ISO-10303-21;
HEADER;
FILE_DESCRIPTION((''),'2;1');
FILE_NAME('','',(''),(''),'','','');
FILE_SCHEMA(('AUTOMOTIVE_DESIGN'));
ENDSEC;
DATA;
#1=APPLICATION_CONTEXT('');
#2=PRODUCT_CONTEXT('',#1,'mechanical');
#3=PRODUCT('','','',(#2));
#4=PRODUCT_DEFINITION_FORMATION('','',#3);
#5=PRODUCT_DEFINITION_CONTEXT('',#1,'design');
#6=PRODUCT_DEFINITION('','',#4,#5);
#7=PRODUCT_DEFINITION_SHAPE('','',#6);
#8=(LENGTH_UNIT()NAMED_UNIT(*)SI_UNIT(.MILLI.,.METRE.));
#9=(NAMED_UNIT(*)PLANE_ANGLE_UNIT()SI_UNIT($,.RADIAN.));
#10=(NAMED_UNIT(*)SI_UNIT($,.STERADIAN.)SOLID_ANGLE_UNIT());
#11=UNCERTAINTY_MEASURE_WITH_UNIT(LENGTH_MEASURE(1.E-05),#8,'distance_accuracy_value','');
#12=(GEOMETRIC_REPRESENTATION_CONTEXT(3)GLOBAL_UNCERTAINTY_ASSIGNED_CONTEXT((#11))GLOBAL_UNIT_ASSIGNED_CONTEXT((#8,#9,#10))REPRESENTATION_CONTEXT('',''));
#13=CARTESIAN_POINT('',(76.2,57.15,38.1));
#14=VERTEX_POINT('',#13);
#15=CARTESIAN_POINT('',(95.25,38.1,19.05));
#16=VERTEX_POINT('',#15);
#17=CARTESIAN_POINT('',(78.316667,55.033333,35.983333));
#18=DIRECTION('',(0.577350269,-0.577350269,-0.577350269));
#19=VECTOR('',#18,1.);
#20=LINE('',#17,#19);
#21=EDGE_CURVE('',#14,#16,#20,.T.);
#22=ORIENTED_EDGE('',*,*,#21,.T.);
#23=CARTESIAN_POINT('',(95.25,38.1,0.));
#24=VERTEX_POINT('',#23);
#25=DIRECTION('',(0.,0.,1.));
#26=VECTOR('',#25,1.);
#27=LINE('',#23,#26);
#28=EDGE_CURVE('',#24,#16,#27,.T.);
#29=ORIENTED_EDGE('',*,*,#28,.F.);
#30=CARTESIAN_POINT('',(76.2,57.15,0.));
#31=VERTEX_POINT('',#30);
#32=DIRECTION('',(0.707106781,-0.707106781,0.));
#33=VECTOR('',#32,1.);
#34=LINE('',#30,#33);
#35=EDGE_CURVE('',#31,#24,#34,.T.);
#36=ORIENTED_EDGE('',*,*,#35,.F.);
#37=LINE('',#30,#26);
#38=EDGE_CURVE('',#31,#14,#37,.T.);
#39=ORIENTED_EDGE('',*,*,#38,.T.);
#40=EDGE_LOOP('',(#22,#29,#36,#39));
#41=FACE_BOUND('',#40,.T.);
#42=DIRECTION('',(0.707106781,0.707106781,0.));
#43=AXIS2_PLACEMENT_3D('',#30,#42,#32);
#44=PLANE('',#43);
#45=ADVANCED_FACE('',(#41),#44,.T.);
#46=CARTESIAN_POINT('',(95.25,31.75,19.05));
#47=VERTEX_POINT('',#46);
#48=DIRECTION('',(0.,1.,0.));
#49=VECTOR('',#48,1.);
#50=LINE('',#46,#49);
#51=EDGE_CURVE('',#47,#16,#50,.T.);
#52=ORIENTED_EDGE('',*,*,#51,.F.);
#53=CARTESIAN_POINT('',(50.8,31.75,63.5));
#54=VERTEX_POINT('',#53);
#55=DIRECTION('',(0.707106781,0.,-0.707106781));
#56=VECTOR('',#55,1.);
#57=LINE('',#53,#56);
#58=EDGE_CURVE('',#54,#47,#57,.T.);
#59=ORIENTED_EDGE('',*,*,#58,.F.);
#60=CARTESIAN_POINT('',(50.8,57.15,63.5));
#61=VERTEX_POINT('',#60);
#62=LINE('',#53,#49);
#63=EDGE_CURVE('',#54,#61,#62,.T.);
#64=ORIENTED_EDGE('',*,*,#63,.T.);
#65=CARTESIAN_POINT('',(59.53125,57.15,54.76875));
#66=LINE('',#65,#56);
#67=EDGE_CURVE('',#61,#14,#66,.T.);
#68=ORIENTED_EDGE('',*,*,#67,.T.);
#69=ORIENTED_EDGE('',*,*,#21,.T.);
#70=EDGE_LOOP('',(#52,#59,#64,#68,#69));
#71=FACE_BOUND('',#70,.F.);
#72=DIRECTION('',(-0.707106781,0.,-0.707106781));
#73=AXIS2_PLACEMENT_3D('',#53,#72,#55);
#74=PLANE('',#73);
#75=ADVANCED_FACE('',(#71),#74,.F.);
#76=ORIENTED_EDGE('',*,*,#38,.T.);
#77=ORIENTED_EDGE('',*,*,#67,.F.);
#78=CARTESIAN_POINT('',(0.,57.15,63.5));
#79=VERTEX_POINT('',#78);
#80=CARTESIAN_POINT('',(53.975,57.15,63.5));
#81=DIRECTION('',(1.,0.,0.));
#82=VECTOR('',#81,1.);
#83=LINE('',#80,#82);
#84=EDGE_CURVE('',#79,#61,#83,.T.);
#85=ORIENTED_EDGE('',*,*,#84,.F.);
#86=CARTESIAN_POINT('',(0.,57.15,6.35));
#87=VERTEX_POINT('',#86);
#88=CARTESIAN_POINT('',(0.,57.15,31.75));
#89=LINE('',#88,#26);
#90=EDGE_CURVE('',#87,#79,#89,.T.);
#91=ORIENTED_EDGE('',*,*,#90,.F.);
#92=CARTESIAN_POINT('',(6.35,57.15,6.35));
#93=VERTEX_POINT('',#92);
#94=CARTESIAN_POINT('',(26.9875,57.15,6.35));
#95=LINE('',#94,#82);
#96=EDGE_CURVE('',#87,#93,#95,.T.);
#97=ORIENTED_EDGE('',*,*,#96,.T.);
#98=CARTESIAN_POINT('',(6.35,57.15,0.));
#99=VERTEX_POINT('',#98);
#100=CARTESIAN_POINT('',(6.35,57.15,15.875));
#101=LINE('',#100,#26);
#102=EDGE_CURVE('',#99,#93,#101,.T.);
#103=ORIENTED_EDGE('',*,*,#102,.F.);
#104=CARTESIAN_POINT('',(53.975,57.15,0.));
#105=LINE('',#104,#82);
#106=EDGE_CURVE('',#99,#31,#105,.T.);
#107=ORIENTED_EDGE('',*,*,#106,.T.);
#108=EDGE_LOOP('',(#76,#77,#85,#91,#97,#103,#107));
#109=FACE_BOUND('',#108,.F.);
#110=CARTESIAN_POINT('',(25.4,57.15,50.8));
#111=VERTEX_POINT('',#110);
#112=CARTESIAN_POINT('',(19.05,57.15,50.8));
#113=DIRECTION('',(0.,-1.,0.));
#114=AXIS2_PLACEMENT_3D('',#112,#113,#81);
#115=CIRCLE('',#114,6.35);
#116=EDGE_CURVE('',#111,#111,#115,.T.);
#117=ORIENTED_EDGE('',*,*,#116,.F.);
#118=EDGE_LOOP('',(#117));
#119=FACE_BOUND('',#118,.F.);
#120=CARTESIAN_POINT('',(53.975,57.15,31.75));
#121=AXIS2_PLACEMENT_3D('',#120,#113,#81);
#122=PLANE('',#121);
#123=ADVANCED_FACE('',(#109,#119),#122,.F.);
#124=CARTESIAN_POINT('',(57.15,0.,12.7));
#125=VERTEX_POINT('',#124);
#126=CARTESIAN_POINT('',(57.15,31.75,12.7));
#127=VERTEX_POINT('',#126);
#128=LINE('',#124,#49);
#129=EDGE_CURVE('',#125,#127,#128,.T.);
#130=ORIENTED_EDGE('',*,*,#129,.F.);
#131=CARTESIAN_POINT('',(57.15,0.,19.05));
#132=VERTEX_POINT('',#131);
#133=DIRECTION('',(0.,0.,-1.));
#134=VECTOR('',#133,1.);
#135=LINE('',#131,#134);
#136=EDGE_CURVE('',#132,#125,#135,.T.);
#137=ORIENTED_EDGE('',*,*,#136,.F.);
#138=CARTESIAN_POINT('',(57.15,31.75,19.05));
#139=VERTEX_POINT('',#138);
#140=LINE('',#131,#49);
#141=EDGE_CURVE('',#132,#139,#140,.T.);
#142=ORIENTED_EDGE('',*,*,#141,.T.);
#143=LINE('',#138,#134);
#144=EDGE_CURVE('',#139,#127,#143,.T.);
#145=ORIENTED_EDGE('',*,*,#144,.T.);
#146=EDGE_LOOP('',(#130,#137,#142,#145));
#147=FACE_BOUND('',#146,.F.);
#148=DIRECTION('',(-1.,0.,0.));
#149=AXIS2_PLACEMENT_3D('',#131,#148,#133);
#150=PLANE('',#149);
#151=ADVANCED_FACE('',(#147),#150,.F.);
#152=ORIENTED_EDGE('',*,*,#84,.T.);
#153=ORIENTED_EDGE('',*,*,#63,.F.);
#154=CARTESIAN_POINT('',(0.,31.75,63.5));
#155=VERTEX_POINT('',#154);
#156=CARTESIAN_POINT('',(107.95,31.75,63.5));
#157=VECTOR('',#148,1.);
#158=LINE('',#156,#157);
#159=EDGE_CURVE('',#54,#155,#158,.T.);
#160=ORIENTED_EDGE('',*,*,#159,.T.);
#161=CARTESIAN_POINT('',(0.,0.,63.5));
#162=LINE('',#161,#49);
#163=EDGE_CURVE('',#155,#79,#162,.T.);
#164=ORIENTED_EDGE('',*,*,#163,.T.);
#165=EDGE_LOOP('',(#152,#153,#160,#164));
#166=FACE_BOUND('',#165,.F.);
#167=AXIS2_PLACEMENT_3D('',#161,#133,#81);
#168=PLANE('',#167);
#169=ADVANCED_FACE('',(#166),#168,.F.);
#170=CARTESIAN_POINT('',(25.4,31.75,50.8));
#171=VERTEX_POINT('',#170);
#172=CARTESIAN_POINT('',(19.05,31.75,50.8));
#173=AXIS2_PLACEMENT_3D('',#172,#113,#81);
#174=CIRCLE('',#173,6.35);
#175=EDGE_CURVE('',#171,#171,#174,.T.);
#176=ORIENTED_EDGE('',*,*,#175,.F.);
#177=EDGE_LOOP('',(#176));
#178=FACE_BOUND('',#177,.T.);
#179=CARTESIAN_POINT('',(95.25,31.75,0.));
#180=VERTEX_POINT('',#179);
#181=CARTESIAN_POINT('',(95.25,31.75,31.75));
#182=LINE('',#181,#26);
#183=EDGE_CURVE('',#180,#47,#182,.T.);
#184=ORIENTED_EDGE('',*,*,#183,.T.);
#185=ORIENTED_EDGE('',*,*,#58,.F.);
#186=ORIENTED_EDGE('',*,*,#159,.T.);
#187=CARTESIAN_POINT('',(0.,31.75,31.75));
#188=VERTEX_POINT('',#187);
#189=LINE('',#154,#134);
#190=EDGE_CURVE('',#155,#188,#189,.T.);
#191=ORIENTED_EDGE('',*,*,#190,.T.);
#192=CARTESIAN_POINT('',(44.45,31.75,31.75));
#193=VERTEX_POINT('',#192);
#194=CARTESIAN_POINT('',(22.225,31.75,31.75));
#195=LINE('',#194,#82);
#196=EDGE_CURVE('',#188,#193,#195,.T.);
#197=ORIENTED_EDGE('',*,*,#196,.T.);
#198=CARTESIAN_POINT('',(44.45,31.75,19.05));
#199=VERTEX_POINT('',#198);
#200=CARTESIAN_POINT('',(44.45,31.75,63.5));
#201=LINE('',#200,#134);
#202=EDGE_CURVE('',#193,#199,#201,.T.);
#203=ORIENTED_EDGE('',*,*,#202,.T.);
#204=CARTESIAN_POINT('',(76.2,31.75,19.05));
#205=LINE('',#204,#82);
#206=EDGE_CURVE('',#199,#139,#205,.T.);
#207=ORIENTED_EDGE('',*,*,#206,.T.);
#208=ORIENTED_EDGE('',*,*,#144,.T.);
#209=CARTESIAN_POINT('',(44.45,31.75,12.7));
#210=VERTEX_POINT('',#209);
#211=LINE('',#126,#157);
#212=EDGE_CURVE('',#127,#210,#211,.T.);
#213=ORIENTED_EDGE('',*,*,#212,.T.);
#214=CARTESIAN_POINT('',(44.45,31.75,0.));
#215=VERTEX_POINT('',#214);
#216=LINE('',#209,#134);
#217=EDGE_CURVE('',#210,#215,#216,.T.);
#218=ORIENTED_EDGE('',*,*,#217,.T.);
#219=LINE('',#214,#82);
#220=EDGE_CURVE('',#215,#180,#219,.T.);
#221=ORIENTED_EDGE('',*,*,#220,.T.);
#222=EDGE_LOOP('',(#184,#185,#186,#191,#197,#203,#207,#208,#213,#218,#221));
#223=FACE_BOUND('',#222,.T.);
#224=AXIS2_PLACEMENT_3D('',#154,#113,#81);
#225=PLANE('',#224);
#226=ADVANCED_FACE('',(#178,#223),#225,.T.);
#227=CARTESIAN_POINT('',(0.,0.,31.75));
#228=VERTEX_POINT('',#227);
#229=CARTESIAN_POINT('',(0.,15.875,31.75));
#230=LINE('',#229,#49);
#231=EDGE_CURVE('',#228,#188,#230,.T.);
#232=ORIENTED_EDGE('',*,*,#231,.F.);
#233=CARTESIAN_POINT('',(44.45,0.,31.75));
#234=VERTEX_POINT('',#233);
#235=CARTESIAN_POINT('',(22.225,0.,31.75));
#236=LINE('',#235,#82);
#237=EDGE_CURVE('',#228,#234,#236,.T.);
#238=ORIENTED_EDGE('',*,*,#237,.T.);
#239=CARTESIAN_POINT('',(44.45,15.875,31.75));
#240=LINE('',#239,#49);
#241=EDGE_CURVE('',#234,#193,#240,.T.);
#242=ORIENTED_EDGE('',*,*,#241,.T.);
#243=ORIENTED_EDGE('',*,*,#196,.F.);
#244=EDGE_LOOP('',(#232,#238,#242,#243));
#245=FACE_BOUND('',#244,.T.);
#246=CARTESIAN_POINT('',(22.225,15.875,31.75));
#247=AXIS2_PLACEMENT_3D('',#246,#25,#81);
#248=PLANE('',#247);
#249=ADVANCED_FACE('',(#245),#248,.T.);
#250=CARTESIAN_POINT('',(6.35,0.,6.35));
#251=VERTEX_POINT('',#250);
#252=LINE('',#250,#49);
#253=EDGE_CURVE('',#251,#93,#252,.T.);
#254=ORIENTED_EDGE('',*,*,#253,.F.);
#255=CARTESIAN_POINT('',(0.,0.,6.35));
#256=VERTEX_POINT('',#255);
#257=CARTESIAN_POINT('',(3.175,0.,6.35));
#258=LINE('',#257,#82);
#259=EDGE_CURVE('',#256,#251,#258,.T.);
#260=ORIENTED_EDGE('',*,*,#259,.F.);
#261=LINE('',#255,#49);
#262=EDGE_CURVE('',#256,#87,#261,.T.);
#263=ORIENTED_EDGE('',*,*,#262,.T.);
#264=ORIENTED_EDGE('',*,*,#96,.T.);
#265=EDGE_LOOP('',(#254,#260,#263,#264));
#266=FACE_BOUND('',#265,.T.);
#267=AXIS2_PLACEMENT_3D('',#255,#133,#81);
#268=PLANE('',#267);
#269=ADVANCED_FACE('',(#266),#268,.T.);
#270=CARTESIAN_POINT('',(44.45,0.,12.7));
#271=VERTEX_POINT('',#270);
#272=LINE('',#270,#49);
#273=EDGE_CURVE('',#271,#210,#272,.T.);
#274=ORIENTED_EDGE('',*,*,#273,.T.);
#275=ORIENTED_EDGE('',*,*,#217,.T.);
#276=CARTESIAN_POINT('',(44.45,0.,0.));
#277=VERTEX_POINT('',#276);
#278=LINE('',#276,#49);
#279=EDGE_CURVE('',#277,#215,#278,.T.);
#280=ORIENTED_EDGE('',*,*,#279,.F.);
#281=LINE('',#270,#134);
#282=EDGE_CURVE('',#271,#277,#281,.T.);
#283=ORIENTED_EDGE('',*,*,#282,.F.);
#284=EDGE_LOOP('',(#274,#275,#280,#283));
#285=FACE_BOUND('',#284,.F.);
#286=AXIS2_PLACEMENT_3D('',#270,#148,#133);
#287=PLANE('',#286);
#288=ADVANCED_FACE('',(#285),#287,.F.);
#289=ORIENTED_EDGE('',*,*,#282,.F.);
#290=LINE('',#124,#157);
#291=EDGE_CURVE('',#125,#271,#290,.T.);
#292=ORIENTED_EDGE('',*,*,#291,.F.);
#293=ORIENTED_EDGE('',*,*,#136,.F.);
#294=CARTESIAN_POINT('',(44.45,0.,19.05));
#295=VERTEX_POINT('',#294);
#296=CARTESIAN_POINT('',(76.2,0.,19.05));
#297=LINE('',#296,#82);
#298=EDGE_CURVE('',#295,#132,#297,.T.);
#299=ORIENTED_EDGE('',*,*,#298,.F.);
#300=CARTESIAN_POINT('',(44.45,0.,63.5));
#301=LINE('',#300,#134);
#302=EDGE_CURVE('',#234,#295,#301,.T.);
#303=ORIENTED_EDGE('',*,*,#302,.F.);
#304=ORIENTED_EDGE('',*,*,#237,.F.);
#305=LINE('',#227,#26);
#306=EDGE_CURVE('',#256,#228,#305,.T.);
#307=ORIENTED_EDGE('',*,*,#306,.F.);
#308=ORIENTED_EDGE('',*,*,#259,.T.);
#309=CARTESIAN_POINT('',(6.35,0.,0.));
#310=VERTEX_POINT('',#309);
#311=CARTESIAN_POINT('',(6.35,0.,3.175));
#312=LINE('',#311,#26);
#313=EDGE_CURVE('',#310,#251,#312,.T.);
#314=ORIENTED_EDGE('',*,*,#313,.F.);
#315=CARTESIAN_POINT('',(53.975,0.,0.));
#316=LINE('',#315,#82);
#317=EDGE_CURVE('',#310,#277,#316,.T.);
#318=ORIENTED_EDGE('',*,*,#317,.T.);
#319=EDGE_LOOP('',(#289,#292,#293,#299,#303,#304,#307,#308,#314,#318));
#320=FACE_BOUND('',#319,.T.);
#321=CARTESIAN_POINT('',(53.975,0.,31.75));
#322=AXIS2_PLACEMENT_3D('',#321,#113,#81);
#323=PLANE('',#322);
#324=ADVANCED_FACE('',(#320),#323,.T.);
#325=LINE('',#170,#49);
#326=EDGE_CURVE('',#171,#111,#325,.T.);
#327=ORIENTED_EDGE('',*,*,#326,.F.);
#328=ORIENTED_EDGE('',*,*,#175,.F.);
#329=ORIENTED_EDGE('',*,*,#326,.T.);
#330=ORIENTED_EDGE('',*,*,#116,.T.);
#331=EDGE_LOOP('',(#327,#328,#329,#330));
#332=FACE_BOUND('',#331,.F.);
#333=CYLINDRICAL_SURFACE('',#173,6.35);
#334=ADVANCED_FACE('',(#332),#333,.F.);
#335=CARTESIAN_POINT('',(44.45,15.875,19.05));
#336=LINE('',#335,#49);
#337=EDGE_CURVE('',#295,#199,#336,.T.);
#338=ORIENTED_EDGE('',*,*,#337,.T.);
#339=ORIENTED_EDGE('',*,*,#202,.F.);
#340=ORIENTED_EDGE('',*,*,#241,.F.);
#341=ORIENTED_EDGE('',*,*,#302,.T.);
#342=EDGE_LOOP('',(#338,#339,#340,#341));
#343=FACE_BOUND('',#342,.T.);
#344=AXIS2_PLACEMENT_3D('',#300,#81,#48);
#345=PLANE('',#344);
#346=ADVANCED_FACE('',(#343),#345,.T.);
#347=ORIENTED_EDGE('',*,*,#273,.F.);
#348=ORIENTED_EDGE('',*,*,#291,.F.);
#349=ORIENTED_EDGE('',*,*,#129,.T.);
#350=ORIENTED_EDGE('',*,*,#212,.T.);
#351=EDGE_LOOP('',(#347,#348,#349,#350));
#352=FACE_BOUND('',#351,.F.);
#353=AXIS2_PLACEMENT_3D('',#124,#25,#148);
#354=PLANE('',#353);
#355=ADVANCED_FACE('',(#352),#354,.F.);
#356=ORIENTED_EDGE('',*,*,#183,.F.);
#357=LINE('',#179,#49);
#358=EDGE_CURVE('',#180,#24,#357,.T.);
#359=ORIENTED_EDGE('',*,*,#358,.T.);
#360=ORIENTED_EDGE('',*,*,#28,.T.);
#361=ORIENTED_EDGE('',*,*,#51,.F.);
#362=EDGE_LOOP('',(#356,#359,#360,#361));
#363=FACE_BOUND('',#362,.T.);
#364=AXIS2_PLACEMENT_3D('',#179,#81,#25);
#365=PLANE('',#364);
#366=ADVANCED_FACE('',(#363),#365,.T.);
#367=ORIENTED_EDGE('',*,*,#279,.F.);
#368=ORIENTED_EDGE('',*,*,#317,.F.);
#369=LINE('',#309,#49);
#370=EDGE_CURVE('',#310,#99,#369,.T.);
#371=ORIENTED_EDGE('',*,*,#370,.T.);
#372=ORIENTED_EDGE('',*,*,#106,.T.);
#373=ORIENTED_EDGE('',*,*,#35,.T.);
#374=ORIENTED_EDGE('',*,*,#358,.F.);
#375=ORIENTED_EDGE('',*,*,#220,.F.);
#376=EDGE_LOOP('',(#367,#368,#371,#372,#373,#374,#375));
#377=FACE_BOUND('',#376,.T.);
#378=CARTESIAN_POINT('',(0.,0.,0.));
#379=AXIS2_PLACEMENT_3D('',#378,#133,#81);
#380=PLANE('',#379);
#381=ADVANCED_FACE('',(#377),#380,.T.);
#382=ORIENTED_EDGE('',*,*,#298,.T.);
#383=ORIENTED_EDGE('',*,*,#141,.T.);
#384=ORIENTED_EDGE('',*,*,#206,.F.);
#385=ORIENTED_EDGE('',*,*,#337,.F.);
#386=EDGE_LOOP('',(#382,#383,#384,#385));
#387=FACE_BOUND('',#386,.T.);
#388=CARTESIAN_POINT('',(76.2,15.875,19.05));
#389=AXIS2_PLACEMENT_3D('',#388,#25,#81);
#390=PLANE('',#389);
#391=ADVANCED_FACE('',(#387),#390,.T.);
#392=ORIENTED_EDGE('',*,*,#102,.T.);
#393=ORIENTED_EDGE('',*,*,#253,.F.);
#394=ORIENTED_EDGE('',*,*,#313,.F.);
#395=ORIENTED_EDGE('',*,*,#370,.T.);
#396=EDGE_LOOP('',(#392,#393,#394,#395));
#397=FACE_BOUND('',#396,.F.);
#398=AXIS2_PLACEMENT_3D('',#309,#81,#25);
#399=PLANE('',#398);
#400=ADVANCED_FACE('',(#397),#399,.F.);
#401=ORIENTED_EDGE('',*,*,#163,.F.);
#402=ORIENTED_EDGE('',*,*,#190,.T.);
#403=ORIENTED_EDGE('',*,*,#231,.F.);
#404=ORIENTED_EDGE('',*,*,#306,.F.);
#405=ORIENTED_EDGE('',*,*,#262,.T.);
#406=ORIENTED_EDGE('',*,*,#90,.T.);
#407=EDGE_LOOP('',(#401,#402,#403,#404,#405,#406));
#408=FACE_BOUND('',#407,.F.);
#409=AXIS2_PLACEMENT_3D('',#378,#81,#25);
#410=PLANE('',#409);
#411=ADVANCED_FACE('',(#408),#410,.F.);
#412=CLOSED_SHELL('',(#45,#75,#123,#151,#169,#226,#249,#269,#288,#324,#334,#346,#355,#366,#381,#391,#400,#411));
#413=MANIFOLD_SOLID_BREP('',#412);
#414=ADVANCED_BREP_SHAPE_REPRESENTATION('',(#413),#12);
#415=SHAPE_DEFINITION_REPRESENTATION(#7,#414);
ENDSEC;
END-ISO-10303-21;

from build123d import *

# Parameters (mm, degrees)
F0_W      = 107.95
F0_H      = 63.5
F1_DEPTH  = 57.15
F2_W      = 44.45
F2_H      = 31.75
F3_DEPTH  = 31.75
F4_W      = 63.5
F4_H      = 31.75
F5_DEPTH  = 44.45
F6_W      = 6.35
F6_H      = 6.35
F7_DEPTH  = 57.151
F9_DEPTH  = 31.75
F10_W     = 12.7
F10_H     = 63.5
F11_DEPTH = 25.4
F13_DEPTH = 25.401
F14_R     = 6.35
F15_DEPTH = 25.401
F17_DEPTH = 63.501


with BuildPart() as f1:
    # F0 (on Front) → F1 (new body)
    with BuildSketch(Plane.XZ):
        with Locations((53.975, 31.75)):
            Rectangle(F0_W, F0_H)
    extrude(amount=-F1_DEPTH)

    # F2 (on face) → F3 (cut)
    with BuildSketch(Plane.XY.offset(63.5)):
        with Locations((22.225, 15.875)):
            Rectangle(F2_W, F2_H)
    extrude(amount=-F3_DEPTH, mode=Mode.SUBTRACT)

    # F4 (on face) → F5 (cut)
    with BuildSketch(Plane.XY.offset(63.5)):
        with Locations((76.2, 15.875)):
            Rectangle(F4_W, F4_H)
    extrude(amount=-F5_DEPTH, mode=Mode.SUBTRACT)

    # F6 (on Front) → F7 (cut, through all)
    with BuildSketch(Plane.XZ):
        with Locations((3.175, 3.175)):
            Rectangle(F6_W, F6_H)
    extrude(amount=-F7_DEPTH, mode=Mode.SUBTRACT)

    # F8 (on face) → F9 (cut)
    with BuildSketch(Plane.XZ):
        Polygon((44.45, 12.7), (44.45, 0), (107.95, 0), (107.95, 19.05), (57.15, 19.05), (57.15, 12.7), align=None)
    extrude(amount=-F9_DEPTH, mode=Mode.SUBTRACT)

    # F10 (on face) → F11 (cut)
    with BuildSketch(Plane.XZ.offset(-31.75)):
        with Locations((101.6, 31.75)):
            Rectangle(F10_W, F10_H)
    extrude(amount=-F11_DEPTH, mode=Mode.SUBTRACT)

    # F12 (on face) → F13 (cut, through all)
    with BuildSketch(Plane.XZ.offset(-31.75)):
        Polygon((95.25, 63.5), (50.8, 63.5), (95.25, 19.05), align=None)
    extrude(amount=-F13_DEPTH, mode=Mode.SUBTRACT)

    # F14 (on face) → F15 (cut, through all)
    with BuildSketch(Plane.XZ.offset(-31.75)):
        with Locations((19.05, 50.8)):
            Circle(F14_R)
    extrude(amount=-F15_DEPTH, mode=Mode.SUBTRACT)

    # F16 (on Top) → F17 (cut, through all)
    with BuildSketch(Plane.XY):
        Polygon((95.25, 38.1), (95.25, 57.15), (76.2, 57.15), align=None)
    extrude(amount=F17_DEPTH, mode=Mode.SUBTRACT)


solid = f1.part
